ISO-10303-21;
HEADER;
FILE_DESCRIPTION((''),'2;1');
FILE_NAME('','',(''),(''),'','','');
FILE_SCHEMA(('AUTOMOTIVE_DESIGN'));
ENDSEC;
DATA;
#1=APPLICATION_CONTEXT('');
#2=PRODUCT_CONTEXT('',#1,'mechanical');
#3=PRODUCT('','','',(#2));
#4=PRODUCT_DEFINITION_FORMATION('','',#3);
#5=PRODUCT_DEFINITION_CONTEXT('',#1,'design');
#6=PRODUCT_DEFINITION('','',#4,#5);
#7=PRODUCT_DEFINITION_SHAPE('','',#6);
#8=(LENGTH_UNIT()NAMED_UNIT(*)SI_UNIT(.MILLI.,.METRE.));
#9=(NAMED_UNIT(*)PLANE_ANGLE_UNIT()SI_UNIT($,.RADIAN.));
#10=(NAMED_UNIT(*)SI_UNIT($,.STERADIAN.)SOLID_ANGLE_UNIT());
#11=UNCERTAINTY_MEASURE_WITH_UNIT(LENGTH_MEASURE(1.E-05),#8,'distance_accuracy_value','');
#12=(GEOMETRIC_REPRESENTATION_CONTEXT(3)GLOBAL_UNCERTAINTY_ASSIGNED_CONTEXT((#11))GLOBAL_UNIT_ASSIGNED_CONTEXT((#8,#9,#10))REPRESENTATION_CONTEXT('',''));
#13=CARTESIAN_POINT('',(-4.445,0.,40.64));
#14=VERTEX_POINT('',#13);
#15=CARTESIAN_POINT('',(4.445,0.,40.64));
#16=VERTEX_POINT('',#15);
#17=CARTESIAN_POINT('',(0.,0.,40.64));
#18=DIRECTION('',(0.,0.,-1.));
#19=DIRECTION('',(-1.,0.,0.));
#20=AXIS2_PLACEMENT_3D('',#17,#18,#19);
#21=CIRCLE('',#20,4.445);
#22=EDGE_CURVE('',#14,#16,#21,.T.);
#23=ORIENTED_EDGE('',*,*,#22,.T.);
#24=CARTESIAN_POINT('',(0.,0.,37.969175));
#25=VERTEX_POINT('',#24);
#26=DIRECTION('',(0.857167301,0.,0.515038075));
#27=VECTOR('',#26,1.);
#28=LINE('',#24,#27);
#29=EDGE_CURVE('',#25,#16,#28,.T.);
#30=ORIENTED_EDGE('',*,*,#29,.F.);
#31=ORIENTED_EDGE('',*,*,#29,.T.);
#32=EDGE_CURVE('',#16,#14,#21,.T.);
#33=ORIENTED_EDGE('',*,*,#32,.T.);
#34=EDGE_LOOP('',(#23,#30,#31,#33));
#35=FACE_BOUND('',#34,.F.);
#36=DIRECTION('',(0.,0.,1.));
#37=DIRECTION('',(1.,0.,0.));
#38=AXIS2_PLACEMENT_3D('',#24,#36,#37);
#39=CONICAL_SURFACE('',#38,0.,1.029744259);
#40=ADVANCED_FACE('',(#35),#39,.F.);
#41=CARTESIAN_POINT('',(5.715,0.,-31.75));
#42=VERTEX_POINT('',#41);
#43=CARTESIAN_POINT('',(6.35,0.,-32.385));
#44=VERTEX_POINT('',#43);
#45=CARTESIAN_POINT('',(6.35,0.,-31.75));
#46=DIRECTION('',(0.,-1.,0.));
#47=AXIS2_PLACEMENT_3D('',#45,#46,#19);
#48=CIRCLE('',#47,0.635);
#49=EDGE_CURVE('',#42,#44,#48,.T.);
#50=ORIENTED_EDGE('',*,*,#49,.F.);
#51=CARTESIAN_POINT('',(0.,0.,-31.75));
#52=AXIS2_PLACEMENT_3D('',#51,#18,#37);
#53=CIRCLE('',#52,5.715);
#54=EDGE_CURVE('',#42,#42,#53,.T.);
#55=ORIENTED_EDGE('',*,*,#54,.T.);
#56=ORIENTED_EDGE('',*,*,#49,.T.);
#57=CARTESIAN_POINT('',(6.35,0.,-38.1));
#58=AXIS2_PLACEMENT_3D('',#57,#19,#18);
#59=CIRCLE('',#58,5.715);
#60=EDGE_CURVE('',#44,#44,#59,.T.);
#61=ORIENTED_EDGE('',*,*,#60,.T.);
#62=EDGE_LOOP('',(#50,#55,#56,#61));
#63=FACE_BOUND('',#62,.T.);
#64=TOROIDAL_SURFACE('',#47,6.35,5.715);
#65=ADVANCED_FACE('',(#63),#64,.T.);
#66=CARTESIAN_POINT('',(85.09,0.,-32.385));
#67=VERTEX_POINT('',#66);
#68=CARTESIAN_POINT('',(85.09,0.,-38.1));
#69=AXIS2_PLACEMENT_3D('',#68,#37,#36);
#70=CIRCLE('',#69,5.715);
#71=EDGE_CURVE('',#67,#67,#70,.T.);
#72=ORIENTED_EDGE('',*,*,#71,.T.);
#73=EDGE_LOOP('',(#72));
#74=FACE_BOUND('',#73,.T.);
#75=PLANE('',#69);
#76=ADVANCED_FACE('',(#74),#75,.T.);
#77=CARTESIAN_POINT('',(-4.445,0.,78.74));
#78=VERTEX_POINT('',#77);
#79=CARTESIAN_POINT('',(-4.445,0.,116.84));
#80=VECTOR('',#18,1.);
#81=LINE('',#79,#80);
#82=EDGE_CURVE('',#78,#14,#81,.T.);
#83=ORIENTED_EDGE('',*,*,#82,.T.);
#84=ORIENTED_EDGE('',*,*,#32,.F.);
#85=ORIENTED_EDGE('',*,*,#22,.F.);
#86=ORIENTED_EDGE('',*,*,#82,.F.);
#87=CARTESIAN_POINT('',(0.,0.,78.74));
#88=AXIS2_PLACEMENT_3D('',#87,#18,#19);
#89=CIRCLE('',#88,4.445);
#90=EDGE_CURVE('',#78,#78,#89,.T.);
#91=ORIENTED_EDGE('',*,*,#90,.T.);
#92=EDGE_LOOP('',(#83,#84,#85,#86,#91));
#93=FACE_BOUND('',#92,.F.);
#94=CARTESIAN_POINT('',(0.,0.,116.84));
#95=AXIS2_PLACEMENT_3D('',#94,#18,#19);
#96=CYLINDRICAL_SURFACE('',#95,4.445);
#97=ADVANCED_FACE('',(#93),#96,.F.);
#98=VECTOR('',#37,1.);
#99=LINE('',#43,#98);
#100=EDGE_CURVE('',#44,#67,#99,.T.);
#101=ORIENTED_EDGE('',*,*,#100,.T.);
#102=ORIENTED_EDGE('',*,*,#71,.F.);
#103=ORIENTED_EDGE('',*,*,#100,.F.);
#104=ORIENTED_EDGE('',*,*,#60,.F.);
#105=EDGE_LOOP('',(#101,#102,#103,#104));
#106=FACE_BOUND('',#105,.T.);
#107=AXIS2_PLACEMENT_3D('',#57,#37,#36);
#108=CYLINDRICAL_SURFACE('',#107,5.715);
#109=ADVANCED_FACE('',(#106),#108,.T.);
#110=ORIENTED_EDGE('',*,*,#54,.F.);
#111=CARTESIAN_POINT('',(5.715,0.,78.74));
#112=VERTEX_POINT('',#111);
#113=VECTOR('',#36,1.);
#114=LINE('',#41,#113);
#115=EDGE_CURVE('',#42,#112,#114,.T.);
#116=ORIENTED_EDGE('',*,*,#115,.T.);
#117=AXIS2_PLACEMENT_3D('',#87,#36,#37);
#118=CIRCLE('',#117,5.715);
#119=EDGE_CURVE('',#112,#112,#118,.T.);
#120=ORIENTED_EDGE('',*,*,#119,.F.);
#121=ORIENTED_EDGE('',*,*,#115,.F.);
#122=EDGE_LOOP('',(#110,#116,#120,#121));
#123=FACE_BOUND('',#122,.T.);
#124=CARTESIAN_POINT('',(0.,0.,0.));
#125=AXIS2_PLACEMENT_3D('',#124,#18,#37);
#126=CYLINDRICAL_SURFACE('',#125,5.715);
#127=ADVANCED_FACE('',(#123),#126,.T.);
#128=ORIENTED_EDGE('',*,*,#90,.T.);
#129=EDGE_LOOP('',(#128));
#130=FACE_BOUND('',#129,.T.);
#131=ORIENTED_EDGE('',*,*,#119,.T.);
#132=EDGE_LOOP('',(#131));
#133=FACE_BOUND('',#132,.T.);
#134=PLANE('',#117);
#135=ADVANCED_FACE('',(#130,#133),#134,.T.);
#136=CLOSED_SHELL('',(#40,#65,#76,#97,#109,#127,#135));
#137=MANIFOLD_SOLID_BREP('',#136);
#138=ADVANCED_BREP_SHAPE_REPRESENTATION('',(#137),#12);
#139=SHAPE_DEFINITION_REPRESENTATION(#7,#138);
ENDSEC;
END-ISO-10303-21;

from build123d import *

# Parameters (mm, degrees)
F0_R     = 5.715
F1_DEPTH = 78.74
F3_D     = 8.89
F3_DEPTH = 38.1
F3_TIP   = 2.6708254516
F4_R     = 5.715


with BuildPart() as f1:
    # F0 (on Top) → F1 (new body)
    with BuildSketch(Plane.XY):
        Circle(F0_R)
    extrude(amount=F1_DEPTH)

    # F3
    with Locations(Plane.XY.offset(78.74)):
        with Locations((0, 0)):
            Hole(F3_D / 2, depth=F3_DEPTH)
            with Locations((0, 0, -(F3_DEPTH + F3_TIP / 2))):  # 118° drill point
                Cone(0, F3_D / 2, F3_TIP, mode=Mode.SUBTRACT)

    # F6: sweep along a path in F5
    with BuildLine(Plane.XZ) as f6_path:
        Line((0, 0), (0, -31.75))
        ThreePointArc((0, -31.75), (1.8598719395, -36.2401280605), (6.35, -38.1))
        Line((6.35, -38.1), (85.09, -38.1))
    # F4 (on face) → F6 (sweep)
    with BuildSketch(Plane(origin=(0, 0, 0), x_dir=(1, 0, 0), z_dir=(0, 0, -1))):
        Circle(F4_R)
    sweep(path=f6_path.line)


solid = f1.part
